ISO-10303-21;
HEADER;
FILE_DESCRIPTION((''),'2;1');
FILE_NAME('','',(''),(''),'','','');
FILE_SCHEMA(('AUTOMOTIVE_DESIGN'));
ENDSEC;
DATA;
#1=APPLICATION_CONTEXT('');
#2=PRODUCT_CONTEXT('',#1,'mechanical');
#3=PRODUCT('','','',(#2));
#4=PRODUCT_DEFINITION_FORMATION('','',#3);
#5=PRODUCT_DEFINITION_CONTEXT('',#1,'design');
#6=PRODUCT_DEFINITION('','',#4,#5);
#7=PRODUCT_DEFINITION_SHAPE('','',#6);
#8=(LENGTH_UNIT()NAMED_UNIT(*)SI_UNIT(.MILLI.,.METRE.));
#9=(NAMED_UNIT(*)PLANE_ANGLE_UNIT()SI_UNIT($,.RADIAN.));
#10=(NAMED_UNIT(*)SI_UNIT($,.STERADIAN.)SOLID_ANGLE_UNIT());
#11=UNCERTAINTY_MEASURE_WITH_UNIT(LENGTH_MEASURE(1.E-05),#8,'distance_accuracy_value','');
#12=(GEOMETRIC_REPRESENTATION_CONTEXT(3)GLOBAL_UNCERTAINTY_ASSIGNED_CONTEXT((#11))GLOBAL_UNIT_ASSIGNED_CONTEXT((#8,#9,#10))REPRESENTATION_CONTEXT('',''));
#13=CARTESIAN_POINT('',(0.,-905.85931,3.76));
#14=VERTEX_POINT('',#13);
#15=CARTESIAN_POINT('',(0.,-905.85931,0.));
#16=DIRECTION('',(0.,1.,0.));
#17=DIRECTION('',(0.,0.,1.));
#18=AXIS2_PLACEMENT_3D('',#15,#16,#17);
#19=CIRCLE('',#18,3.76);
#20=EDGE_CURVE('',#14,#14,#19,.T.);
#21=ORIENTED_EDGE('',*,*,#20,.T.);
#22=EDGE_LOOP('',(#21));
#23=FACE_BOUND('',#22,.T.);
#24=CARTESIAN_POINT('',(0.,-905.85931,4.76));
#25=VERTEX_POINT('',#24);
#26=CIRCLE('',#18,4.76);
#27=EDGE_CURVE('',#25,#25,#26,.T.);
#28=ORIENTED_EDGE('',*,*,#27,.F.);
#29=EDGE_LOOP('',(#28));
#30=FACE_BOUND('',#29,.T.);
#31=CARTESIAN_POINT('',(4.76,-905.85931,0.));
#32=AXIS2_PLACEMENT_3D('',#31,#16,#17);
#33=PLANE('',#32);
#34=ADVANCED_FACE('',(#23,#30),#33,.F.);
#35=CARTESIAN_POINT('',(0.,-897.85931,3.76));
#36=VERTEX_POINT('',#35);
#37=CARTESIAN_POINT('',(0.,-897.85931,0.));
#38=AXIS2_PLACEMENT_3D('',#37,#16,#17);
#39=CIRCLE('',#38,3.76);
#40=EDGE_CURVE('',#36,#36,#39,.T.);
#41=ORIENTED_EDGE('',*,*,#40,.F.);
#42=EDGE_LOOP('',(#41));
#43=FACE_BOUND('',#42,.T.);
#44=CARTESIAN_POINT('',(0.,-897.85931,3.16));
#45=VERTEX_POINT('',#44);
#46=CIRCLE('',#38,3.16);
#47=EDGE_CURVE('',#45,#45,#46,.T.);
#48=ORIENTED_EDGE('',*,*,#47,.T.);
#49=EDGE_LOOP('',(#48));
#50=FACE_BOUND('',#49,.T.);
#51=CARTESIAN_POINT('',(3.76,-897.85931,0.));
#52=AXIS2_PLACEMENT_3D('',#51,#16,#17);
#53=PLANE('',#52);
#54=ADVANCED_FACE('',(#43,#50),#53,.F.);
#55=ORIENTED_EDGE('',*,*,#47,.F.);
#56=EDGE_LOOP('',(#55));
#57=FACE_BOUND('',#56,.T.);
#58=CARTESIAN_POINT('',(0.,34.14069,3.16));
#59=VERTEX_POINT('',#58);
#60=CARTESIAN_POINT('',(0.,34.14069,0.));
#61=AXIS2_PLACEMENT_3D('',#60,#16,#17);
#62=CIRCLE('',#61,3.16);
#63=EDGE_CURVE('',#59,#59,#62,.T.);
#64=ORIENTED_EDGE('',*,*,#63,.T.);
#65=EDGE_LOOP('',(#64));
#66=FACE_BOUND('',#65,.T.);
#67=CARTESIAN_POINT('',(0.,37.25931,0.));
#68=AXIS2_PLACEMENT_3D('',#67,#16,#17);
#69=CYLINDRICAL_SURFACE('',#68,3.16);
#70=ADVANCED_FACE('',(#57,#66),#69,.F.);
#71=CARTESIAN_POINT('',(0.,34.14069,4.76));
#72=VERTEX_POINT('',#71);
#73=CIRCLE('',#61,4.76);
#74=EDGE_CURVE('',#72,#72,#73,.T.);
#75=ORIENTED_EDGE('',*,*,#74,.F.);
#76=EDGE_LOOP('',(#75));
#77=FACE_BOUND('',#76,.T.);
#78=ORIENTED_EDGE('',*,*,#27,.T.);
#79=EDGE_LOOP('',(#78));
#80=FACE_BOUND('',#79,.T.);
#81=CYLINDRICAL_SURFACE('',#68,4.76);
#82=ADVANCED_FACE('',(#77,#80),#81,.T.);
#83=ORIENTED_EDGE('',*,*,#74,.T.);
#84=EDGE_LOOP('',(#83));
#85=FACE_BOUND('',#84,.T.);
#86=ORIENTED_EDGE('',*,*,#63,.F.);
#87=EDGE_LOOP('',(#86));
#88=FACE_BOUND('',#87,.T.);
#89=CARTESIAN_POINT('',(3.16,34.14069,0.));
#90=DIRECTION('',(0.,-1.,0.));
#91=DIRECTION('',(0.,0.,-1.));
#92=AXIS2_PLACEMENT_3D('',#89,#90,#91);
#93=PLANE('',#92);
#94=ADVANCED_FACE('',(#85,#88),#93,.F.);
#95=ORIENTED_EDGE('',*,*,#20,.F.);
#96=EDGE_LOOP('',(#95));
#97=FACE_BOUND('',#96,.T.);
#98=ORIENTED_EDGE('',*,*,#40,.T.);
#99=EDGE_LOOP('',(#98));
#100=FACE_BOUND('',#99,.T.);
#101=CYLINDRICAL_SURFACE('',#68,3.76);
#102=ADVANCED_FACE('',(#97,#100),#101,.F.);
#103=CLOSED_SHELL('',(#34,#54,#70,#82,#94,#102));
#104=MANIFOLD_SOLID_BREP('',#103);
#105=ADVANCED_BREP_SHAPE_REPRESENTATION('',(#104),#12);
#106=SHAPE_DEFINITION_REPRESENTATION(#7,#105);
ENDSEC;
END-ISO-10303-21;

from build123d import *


with BuildPart() as part:
    # Croquis1 → Revolución1 (revolve)
    with BuildSketch(Plane.XY):
        Polygon((3.16, 34.140689655), (4.76, 34.140689655), (4.76, -905.859310345), (3.76, -905.859310345), (3.76, -897.859310345), (3.16, -897.859310345), align=None)
    revolve(axis=Axis((0, 37.259310345, 0), (0, -1, 0)))


solid = part.part
